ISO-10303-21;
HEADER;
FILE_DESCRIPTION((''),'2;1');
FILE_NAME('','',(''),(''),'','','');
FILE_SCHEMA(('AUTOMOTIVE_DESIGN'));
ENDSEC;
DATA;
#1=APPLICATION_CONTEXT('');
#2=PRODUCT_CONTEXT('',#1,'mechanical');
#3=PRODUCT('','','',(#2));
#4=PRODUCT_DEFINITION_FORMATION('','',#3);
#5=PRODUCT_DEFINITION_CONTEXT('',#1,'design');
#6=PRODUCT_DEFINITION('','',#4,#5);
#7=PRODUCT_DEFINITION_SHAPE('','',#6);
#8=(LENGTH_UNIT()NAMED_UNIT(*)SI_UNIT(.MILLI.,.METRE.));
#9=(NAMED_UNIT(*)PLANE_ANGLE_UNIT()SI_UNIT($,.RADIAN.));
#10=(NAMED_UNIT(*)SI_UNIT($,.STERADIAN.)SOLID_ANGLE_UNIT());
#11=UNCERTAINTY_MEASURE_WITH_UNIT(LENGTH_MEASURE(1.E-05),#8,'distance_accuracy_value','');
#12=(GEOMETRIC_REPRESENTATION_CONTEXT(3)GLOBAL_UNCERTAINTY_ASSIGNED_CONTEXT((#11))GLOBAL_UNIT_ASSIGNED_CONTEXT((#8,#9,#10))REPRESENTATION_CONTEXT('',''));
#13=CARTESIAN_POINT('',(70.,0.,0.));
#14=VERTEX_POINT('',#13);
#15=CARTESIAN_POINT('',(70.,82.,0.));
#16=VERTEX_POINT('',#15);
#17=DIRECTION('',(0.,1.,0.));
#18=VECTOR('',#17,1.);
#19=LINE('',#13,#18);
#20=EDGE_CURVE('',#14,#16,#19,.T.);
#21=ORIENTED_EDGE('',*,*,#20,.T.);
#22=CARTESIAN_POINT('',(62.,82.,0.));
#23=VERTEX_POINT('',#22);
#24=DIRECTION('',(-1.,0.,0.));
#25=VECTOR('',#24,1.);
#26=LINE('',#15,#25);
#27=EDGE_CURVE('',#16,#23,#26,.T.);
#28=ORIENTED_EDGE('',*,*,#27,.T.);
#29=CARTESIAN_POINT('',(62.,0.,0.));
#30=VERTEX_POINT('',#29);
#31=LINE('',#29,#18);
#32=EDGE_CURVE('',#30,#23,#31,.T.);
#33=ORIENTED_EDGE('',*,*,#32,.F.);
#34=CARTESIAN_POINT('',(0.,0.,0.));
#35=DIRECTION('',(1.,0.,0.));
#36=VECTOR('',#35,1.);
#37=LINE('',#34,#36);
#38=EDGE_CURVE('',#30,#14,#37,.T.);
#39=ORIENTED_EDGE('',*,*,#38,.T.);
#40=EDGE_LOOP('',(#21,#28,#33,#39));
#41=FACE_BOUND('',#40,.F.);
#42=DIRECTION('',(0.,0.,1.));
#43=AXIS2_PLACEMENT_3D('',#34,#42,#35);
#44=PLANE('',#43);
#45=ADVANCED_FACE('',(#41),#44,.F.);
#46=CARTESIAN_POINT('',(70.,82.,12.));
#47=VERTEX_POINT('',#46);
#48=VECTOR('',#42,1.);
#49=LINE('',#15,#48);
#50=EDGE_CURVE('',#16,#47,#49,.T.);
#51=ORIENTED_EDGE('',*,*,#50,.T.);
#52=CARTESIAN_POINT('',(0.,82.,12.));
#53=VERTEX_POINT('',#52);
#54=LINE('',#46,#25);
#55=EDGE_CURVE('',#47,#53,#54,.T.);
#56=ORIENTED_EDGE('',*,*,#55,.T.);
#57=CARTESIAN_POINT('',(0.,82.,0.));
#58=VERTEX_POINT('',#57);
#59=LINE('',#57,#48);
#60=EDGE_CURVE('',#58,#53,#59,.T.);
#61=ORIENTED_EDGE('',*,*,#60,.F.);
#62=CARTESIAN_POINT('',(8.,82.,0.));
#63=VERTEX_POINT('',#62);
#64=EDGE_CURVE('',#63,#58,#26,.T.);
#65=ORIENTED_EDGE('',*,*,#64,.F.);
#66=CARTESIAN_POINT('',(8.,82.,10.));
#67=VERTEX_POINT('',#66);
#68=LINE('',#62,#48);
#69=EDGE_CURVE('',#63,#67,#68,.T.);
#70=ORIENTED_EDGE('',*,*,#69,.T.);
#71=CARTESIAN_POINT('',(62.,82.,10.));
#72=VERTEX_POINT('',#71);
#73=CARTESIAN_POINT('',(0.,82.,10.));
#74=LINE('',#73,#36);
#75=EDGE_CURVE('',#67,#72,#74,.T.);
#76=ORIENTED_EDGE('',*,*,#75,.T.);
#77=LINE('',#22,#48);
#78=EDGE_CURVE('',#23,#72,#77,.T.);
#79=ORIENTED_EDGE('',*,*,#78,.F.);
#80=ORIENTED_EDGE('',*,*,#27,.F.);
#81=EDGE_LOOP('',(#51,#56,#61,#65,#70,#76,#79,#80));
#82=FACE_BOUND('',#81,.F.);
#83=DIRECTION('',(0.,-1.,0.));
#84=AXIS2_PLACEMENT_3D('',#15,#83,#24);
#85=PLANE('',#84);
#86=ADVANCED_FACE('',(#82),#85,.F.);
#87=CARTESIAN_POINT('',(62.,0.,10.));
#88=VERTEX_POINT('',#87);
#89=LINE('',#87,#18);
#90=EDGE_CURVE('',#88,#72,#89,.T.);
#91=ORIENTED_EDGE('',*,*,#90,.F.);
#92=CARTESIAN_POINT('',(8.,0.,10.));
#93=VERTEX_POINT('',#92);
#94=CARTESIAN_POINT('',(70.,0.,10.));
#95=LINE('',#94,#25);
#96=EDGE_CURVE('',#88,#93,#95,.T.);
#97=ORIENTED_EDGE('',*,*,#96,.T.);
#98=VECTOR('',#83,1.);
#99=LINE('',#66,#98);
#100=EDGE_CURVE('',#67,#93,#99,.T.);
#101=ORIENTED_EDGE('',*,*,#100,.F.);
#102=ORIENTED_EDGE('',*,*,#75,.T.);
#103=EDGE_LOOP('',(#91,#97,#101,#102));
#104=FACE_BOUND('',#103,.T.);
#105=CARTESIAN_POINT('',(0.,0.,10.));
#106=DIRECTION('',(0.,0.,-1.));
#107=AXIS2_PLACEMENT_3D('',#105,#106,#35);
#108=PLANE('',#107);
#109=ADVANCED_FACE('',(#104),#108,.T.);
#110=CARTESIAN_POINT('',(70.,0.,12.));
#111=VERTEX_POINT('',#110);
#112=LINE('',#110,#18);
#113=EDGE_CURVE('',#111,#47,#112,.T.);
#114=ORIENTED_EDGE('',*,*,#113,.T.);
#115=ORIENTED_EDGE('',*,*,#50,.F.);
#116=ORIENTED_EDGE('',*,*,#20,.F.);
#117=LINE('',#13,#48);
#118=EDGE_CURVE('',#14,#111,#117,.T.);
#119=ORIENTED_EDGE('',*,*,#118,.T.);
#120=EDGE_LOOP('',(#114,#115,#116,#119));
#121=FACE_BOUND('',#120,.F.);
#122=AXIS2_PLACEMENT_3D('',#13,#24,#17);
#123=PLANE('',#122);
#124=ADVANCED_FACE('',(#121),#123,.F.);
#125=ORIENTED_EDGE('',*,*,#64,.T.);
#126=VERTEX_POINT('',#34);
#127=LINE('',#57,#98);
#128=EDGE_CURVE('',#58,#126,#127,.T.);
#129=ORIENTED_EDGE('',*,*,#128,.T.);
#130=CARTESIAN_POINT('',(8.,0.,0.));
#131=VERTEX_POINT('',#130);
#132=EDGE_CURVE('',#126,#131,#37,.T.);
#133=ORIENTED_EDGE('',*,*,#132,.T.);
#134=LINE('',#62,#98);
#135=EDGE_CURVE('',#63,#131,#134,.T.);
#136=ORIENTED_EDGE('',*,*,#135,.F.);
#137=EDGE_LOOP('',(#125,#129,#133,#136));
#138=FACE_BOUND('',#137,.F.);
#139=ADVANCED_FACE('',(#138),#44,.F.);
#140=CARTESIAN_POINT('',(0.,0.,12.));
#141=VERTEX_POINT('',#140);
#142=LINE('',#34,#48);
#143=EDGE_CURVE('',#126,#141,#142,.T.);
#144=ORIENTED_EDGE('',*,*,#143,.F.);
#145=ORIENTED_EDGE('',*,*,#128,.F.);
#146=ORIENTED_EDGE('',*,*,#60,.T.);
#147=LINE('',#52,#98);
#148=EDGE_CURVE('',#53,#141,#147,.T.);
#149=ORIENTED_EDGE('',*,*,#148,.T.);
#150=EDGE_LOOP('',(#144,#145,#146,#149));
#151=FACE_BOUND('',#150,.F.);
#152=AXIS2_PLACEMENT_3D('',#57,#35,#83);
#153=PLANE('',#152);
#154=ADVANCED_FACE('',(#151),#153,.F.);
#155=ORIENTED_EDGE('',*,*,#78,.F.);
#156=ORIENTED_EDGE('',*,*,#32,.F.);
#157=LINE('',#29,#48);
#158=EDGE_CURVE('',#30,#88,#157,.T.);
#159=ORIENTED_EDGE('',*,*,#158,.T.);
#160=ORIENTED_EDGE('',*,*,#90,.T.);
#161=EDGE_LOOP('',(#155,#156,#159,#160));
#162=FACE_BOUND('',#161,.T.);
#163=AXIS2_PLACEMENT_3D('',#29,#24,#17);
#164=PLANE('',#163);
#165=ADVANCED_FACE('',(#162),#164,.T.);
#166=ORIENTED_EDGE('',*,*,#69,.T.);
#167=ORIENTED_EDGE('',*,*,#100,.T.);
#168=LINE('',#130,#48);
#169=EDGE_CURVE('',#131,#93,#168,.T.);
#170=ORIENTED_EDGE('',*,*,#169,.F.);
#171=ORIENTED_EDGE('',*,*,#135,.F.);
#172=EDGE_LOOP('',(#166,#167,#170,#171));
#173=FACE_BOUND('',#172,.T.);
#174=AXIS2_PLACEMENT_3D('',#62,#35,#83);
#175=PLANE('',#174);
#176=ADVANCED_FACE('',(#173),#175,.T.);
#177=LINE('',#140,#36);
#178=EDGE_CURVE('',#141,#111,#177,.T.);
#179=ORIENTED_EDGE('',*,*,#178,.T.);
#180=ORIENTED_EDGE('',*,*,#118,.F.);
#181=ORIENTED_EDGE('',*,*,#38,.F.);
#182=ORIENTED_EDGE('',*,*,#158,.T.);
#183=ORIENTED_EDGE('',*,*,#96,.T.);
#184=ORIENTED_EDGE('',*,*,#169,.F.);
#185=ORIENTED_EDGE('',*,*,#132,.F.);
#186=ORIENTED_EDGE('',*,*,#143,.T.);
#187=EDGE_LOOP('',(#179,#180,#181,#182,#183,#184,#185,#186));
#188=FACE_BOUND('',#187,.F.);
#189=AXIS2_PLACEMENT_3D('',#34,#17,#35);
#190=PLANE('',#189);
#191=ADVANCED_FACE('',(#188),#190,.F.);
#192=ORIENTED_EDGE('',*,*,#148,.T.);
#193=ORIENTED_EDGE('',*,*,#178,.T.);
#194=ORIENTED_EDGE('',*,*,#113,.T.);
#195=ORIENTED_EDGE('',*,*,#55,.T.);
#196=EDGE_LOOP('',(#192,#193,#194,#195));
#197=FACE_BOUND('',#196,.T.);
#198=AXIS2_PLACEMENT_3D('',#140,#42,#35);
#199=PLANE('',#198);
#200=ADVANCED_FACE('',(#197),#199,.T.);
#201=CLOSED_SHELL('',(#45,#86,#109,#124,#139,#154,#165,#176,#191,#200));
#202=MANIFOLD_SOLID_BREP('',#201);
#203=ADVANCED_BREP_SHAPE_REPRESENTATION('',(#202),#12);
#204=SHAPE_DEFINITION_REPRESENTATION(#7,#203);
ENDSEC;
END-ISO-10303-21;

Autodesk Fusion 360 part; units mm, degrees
sketch "Szkic1" plane through (0, 0, 0) normal (0, 0, 1) x (1, 0, 0)
  line L0 (0, 0) -> (70, 0)
  line L1 (70, 0) -> (70, 82)
  line L2 (70, 82) -> (0, 82)
  line L3 (0, 82) -> (0, 0)
  dimension "d1" = 70
  dimension "d2" = 82
extrude "Wyciągnięcie proste1" add sketch "Szkic1" along normal blind 12
sketch "Szkic2" plane through (0, 0, 0) normal (0, 0, -1) x (1, 0, 0)
  line L0 (0, 0) -> (0, -82)
  line L1 (0, -82) -> (70, -82)
  line L2 (70, -82) -> (70, 0)
  line L3 (70, 0) -> (0, 0)
  line L4 (8, 0) -> (62, 0)
  line L5 (62, 0) -> (62, -82)
  line L6 (62, -82) -> (8, -82)
  line L7 (8, -82) -> (8, 0)
  dimension "d5" = 54
  dimension "d6" = 82
extrude "Wyciągnięcie proste2" cut sketch "Szkic2" against normal blind 10 contours L1 L3 L4 L5 L6 L7
